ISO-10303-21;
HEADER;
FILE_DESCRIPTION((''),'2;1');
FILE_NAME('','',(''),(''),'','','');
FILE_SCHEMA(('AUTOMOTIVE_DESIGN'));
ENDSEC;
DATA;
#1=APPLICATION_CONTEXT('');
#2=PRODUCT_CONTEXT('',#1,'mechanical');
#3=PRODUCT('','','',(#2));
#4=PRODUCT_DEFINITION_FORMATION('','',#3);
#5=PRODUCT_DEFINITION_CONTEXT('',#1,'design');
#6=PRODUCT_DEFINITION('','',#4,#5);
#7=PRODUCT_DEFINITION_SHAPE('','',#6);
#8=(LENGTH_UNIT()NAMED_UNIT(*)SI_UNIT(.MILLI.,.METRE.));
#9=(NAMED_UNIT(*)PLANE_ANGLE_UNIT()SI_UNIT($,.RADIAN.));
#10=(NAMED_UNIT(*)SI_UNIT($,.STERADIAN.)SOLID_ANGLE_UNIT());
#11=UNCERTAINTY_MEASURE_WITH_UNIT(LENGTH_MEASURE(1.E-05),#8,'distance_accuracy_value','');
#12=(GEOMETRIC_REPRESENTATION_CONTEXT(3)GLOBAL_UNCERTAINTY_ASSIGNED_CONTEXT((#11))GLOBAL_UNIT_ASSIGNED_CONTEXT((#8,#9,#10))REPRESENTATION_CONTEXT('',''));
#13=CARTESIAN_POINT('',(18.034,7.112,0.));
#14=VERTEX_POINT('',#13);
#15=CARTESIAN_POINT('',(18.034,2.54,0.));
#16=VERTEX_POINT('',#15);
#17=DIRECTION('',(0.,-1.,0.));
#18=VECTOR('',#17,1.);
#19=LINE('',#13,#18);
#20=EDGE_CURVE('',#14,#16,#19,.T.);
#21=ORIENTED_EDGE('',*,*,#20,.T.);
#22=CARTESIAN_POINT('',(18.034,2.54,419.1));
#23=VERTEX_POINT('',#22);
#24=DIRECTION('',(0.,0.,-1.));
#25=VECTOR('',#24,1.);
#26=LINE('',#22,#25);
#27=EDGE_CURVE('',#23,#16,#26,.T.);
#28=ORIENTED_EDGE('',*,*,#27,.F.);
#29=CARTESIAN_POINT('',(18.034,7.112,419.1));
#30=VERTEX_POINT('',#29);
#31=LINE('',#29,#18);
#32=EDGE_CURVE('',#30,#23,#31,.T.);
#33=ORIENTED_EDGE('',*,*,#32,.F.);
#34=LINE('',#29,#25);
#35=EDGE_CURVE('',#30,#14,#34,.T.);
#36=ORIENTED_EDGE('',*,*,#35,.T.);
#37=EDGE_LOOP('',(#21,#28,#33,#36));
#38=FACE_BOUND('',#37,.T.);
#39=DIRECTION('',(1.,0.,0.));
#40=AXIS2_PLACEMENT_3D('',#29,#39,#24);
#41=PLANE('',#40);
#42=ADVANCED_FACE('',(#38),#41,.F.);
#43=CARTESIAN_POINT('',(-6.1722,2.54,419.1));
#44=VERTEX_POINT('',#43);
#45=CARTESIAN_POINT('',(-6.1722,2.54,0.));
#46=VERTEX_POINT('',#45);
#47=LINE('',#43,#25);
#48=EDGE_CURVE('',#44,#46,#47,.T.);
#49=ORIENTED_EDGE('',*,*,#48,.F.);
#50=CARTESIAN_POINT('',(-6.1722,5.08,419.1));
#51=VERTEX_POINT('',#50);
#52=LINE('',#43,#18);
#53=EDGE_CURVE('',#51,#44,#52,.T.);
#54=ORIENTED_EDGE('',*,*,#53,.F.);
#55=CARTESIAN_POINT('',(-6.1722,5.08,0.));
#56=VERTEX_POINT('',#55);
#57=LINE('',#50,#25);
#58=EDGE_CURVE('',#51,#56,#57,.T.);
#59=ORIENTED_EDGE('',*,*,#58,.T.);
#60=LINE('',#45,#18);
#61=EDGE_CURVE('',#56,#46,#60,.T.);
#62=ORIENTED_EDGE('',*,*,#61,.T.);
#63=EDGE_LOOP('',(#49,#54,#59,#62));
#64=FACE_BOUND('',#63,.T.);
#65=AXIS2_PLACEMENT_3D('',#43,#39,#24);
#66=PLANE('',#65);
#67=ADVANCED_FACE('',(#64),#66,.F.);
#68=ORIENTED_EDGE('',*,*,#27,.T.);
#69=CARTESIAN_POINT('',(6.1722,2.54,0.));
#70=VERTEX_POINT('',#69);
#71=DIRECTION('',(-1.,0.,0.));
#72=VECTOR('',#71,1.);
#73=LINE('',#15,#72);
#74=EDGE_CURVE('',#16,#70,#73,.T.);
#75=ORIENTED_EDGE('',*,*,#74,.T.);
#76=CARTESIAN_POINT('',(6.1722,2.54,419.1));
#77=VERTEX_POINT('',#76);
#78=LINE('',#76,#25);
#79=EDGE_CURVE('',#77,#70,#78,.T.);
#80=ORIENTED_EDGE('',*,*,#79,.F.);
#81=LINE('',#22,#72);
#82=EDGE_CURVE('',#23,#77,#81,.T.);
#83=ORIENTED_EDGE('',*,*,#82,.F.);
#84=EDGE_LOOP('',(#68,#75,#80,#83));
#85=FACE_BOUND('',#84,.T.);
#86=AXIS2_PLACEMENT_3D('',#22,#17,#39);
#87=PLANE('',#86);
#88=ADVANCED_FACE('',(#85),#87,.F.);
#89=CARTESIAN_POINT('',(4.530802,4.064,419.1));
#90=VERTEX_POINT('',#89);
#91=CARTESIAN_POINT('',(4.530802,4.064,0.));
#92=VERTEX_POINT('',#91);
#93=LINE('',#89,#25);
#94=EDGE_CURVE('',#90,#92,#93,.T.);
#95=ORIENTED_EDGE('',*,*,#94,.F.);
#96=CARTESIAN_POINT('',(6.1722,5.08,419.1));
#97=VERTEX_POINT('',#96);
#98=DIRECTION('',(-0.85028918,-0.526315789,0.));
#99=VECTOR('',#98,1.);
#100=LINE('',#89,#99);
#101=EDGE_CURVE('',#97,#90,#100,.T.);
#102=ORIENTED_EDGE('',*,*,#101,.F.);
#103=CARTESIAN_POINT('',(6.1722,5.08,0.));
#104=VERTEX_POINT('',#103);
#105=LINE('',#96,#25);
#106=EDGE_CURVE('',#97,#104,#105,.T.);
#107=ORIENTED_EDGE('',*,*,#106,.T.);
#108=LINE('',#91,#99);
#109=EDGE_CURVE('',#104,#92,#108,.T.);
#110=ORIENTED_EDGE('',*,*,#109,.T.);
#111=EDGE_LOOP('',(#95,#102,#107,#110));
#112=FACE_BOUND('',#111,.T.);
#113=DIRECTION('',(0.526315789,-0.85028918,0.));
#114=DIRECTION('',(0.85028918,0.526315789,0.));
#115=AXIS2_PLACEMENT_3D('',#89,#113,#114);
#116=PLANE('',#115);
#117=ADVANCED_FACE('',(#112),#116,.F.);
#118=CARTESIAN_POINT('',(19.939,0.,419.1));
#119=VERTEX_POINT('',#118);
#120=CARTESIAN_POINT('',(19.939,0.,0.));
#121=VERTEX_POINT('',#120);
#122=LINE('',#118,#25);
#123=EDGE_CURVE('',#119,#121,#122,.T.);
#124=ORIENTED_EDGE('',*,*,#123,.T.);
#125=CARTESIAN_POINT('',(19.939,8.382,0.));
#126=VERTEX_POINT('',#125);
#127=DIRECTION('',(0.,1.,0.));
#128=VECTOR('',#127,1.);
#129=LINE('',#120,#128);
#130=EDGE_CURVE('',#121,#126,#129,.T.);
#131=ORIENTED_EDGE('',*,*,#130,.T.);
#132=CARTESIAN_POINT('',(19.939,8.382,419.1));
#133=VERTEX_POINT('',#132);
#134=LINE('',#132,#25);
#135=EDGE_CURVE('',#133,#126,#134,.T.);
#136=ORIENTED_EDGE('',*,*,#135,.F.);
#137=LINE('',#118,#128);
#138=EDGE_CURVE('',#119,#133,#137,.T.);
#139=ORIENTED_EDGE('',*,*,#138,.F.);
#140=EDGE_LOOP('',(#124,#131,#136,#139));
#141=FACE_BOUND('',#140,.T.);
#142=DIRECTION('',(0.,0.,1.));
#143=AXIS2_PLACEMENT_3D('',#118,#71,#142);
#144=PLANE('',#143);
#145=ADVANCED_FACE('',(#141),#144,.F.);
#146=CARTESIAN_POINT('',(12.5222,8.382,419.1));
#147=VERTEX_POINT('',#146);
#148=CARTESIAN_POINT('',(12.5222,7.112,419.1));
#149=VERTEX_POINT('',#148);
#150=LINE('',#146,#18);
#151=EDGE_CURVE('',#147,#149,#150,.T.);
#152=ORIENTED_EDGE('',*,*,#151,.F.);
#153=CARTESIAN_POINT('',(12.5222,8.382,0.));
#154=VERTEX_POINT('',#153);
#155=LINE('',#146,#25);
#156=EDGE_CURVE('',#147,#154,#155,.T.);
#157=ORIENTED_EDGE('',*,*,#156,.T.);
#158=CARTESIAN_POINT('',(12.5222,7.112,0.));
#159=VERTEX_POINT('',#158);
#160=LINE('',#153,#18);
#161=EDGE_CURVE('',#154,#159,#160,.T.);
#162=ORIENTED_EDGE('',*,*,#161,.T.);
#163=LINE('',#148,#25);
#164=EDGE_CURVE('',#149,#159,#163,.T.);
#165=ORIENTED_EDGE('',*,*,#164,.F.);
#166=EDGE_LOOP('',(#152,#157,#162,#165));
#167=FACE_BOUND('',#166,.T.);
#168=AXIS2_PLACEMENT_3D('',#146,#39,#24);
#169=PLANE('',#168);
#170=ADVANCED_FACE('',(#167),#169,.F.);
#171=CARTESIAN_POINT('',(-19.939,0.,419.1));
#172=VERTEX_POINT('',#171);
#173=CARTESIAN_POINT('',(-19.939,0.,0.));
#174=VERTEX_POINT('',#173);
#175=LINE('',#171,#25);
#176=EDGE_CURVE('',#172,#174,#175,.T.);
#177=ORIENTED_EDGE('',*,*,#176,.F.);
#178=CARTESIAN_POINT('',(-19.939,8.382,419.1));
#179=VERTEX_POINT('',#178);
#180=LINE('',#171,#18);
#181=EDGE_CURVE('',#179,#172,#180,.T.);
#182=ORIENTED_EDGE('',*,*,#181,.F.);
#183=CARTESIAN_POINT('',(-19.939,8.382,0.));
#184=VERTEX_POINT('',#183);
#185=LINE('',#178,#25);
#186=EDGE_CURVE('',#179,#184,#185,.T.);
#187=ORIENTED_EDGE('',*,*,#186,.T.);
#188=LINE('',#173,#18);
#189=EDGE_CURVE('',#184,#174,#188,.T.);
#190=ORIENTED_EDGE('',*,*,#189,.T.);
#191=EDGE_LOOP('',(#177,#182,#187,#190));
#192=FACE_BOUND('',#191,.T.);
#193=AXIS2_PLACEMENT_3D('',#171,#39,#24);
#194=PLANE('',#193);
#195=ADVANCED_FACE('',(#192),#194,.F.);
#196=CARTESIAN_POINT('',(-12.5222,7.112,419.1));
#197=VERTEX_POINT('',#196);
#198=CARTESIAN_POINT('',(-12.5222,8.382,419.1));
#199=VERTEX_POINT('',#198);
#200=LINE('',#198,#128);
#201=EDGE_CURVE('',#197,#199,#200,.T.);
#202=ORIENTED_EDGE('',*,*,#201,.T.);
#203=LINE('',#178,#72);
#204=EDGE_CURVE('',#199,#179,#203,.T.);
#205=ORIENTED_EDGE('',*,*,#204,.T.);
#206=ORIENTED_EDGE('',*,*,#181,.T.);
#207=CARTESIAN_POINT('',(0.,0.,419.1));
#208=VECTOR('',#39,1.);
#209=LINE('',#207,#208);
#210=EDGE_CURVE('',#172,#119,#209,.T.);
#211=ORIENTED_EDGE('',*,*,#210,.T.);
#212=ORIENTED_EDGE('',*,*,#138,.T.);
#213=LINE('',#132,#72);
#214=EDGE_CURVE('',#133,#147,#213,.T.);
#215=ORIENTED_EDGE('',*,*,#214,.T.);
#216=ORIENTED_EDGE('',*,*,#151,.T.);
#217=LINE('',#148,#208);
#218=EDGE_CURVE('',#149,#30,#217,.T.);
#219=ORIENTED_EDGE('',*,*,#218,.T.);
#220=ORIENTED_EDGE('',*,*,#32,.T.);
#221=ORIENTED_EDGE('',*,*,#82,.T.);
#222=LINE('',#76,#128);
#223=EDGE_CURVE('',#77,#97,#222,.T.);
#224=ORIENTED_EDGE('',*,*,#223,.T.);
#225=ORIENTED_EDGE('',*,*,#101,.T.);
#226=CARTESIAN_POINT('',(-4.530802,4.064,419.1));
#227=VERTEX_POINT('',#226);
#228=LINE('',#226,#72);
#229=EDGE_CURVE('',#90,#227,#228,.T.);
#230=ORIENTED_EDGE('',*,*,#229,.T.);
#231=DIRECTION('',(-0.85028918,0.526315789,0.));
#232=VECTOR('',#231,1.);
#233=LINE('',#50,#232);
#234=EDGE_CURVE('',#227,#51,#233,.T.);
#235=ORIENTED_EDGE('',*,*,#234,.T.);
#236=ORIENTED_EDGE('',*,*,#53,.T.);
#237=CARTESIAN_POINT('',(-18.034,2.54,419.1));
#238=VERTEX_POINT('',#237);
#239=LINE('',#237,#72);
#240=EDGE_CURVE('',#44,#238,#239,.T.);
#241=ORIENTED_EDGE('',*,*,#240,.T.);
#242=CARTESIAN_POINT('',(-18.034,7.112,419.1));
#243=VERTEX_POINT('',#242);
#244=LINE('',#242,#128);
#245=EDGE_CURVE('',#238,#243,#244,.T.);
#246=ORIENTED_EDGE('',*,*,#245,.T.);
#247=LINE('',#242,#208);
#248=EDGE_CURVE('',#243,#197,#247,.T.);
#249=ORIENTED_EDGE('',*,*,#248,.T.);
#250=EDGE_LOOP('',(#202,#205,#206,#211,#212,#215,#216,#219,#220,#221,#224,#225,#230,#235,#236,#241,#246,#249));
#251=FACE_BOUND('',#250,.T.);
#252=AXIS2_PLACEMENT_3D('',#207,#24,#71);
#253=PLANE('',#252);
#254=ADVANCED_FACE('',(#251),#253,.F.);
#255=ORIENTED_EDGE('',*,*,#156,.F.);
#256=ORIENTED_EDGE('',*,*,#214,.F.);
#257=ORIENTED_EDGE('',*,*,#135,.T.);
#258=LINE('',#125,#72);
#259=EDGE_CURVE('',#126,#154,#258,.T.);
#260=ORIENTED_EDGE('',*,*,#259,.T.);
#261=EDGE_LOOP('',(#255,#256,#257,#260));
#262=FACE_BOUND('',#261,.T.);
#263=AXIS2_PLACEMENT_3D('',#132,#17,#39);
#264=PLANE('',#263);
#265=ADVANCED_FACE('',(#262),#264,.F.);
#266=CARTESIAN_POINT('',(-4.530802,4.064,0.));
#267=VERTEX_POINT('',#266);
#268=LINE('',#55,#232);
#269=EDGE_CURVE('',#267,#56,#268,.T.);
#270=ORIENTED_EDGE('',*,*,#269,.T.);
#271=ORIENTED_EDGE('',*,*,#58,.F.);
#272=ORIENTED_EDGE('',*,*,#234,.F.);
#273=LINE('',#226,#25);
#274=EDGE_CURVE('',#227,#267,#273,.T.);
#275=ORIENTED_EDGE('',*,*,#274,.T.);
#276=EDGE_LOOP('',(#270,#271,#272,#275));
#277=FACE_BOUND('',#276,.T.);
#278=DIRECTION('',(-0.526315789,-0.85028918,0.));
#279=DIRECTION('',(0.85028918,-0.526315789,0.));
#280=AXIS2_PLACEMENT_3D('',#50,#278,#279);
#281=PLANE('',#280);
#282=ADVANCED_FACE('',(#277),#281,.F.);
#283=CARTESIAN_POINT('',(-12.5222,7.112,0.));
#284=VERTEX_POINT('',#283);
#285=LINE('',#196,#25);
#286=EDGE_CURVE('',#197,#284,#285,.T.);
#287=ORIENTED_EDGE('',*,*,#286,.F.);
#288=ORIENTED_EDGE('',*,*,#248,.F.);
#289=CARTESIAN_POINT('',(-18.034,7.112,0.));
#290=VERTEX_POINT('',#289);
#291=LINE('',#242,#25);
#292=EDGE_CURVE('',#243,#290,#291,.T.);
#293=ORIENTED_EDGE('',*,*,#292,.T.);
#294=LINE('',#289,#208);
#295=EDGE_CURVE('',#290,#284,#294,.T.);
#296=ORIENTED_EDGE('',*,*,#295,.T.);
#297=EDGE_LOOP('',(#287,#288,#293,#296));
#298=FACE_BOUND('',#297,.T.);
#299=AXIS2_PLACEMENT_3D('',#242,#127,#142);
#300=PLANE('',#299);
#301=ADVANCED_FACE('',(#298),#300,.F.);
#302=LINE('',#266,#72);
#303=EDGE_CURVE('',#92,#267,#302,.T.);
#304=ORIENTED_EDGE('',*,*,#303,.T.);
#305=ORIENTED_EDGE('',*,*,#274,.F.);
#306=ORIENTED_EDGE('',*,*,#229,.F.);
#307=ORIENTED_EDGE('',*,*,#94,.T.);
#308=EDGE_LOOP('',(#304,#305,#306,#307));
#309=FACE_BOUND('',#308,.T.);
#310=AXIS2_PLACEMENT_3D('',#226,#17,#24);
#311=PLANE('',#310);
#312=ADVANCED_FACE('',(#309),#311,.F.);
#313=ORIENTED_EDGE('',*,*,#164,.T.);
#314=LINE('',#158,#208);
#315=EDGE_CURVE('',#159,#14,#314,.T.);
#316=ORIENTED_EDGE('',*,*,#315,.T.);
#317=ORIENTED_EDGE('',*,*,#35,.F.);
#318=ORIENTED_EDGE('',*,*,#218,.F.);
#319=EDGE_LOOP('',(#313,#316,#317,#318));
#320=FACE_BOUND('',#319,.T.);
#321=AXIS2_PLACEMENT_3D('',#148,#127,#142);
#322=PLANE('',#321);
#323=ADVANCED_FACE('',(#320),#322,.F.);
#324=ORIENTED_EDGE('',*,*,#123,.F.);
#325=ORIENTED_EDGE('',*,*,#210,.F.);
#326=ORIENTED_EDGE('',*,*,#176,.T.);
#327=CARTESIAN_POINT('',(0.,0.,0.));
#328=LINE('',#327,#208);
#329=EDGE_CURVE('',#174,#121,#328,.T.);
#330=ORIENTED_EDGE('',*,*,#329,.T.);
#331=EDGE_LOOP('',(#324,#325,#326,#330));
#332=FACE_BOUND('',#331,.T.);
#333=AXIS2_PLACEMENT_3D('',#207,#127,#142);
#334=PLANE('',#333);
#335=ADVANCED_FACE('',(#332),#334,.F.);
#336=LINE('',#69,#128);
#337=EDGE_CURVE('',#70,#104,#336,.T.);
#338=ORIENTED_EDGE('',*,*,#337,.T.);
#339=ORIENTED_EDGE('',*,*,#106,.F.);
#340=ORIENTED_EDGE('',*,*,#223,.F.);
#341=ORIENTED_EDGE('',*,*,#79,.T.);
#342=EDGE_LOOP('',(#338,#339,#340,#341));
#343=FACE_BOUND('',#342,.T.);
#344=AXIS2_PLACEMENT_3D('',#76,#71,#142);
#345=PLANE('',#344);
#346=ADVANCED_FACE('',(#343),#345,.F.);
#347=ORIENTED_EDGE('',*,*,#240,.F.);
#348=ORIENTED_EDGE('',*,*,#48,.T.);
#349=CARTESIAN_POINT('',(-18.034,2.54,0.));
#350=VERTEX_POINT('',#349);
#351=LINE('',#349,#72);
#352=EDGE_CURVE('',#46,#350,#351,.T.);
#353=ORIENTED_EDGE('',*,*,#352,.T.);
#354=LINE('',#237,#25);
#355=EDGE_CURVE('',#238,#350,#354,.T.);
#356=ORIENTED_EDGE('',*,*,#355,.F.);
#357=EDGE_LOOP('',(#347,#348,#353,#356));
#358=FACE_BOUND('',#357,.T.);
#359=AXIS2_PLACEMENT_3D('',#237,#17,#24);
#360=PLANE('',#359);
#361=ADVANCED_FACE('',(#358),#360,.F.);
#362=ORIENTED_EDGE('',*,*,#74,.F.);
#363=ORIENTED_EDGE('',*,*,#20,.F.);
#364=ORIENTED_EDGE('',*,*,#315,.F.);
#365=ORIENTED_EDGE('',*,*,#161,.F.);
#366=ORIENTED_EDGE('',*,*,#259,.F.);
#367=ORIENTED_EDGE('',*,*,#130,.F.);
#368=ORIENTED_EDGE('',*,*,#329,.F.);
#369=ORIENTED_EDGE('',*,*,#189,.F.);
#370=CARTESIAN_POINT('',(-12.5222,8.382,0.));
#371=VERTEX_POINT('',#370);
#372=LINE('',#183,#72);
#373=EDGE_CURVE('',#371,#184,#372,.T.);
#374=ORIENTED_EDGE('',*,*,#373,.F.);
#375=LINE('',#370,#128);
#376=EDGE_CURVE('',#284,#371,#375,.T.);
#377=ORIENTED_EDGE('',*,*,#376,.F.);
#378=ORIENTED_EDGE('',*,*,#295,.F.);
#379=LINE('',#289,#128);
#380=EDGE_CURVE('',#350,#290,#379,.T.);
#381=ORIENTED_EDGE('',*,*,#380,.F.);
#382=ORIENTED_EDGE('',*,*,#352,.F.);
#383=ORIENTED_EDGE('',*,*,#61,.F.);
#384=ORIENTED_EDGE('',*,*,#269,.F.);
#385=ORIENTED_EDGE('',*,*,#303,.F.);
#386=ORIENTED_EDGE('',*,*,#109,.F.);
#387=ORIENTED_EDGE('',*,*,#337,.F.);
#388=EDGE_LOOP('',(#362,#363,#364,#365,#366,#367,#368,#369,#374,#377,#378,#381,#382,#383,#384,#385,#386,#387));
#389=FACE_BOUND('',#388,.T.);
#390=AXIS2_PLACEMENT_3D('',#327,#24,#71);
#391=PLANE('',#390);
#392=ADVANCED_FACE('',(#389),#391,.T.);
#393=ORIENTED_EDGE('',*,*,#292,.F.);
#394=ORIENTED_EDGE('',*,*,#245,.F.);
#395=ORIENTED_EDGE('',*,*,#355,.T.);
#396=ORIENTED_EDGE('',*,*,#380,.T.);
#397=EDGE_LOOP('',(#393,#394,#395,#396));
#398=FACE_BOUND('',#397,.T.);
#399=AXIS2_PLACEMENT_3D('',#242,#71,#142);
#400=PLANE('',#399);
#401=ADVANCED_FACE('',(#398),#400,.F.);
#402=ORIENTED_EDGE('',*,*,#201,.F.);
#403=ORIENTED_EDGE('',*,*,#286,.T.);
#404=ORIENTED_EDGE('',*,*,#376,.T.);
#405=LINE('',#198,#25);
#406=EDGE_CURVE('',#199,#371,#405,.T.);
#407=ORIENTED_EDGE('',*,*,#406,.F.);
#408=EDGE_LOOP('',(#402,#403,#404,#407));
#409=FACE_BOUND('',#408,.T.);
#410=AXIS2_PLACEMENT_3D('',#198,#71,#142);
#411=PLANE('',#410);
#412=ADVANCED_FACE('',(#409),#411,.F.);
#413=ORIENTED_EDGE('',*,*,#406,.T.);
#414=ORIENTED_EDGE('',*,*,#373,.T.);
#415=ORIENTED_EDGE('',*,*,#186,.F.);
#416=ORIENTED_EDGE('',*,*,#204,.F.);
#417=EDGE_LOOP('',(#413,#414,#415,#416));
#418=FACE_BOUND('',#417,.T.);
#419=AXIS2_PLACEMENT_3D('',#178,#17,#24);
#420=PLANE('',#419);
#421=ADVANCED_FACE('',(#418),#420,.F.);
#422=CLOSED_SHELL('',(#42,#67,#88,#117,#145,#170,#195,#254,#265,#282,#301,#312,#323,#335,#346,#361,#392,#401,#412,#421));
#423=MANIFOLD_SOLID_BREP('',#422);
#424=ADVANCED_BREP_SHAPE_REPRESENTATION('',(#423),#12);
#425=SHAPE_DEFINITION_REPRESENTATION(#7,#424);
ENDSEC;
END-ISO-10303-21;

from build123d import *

# Parameters (mm, degrees)
BOSS_EXTRUDE1_DEPTH = 419.1


with BuildPart() as part:
    # Sketch1 → Boss-Extrude1 (new body)
    with BuildSketch(Plane.XY):
        Polygon((0, 0), (19.939, 0), (19.939, 8.382), (12.5222, 8.382), (12.5222, 7.112), (18.034, 7.112), (18.034, 2.54), (6.1722, 2.54), (6.1722, 5.08), (4.530801767, 4.064), (-4.530801767, 4.064), (-6.1722, 5.08), (-6.1722, 2.54), (-18.034, 2.54), (-18.034, 7.112), (-12.5222, 7.112), (-12.5222, 8.382), (-19.939, 8.382), (-19.939, 0), align=None)
    extrude(amount=BOSS_EXTRUDE1_DEPTH)


solid = part.part
